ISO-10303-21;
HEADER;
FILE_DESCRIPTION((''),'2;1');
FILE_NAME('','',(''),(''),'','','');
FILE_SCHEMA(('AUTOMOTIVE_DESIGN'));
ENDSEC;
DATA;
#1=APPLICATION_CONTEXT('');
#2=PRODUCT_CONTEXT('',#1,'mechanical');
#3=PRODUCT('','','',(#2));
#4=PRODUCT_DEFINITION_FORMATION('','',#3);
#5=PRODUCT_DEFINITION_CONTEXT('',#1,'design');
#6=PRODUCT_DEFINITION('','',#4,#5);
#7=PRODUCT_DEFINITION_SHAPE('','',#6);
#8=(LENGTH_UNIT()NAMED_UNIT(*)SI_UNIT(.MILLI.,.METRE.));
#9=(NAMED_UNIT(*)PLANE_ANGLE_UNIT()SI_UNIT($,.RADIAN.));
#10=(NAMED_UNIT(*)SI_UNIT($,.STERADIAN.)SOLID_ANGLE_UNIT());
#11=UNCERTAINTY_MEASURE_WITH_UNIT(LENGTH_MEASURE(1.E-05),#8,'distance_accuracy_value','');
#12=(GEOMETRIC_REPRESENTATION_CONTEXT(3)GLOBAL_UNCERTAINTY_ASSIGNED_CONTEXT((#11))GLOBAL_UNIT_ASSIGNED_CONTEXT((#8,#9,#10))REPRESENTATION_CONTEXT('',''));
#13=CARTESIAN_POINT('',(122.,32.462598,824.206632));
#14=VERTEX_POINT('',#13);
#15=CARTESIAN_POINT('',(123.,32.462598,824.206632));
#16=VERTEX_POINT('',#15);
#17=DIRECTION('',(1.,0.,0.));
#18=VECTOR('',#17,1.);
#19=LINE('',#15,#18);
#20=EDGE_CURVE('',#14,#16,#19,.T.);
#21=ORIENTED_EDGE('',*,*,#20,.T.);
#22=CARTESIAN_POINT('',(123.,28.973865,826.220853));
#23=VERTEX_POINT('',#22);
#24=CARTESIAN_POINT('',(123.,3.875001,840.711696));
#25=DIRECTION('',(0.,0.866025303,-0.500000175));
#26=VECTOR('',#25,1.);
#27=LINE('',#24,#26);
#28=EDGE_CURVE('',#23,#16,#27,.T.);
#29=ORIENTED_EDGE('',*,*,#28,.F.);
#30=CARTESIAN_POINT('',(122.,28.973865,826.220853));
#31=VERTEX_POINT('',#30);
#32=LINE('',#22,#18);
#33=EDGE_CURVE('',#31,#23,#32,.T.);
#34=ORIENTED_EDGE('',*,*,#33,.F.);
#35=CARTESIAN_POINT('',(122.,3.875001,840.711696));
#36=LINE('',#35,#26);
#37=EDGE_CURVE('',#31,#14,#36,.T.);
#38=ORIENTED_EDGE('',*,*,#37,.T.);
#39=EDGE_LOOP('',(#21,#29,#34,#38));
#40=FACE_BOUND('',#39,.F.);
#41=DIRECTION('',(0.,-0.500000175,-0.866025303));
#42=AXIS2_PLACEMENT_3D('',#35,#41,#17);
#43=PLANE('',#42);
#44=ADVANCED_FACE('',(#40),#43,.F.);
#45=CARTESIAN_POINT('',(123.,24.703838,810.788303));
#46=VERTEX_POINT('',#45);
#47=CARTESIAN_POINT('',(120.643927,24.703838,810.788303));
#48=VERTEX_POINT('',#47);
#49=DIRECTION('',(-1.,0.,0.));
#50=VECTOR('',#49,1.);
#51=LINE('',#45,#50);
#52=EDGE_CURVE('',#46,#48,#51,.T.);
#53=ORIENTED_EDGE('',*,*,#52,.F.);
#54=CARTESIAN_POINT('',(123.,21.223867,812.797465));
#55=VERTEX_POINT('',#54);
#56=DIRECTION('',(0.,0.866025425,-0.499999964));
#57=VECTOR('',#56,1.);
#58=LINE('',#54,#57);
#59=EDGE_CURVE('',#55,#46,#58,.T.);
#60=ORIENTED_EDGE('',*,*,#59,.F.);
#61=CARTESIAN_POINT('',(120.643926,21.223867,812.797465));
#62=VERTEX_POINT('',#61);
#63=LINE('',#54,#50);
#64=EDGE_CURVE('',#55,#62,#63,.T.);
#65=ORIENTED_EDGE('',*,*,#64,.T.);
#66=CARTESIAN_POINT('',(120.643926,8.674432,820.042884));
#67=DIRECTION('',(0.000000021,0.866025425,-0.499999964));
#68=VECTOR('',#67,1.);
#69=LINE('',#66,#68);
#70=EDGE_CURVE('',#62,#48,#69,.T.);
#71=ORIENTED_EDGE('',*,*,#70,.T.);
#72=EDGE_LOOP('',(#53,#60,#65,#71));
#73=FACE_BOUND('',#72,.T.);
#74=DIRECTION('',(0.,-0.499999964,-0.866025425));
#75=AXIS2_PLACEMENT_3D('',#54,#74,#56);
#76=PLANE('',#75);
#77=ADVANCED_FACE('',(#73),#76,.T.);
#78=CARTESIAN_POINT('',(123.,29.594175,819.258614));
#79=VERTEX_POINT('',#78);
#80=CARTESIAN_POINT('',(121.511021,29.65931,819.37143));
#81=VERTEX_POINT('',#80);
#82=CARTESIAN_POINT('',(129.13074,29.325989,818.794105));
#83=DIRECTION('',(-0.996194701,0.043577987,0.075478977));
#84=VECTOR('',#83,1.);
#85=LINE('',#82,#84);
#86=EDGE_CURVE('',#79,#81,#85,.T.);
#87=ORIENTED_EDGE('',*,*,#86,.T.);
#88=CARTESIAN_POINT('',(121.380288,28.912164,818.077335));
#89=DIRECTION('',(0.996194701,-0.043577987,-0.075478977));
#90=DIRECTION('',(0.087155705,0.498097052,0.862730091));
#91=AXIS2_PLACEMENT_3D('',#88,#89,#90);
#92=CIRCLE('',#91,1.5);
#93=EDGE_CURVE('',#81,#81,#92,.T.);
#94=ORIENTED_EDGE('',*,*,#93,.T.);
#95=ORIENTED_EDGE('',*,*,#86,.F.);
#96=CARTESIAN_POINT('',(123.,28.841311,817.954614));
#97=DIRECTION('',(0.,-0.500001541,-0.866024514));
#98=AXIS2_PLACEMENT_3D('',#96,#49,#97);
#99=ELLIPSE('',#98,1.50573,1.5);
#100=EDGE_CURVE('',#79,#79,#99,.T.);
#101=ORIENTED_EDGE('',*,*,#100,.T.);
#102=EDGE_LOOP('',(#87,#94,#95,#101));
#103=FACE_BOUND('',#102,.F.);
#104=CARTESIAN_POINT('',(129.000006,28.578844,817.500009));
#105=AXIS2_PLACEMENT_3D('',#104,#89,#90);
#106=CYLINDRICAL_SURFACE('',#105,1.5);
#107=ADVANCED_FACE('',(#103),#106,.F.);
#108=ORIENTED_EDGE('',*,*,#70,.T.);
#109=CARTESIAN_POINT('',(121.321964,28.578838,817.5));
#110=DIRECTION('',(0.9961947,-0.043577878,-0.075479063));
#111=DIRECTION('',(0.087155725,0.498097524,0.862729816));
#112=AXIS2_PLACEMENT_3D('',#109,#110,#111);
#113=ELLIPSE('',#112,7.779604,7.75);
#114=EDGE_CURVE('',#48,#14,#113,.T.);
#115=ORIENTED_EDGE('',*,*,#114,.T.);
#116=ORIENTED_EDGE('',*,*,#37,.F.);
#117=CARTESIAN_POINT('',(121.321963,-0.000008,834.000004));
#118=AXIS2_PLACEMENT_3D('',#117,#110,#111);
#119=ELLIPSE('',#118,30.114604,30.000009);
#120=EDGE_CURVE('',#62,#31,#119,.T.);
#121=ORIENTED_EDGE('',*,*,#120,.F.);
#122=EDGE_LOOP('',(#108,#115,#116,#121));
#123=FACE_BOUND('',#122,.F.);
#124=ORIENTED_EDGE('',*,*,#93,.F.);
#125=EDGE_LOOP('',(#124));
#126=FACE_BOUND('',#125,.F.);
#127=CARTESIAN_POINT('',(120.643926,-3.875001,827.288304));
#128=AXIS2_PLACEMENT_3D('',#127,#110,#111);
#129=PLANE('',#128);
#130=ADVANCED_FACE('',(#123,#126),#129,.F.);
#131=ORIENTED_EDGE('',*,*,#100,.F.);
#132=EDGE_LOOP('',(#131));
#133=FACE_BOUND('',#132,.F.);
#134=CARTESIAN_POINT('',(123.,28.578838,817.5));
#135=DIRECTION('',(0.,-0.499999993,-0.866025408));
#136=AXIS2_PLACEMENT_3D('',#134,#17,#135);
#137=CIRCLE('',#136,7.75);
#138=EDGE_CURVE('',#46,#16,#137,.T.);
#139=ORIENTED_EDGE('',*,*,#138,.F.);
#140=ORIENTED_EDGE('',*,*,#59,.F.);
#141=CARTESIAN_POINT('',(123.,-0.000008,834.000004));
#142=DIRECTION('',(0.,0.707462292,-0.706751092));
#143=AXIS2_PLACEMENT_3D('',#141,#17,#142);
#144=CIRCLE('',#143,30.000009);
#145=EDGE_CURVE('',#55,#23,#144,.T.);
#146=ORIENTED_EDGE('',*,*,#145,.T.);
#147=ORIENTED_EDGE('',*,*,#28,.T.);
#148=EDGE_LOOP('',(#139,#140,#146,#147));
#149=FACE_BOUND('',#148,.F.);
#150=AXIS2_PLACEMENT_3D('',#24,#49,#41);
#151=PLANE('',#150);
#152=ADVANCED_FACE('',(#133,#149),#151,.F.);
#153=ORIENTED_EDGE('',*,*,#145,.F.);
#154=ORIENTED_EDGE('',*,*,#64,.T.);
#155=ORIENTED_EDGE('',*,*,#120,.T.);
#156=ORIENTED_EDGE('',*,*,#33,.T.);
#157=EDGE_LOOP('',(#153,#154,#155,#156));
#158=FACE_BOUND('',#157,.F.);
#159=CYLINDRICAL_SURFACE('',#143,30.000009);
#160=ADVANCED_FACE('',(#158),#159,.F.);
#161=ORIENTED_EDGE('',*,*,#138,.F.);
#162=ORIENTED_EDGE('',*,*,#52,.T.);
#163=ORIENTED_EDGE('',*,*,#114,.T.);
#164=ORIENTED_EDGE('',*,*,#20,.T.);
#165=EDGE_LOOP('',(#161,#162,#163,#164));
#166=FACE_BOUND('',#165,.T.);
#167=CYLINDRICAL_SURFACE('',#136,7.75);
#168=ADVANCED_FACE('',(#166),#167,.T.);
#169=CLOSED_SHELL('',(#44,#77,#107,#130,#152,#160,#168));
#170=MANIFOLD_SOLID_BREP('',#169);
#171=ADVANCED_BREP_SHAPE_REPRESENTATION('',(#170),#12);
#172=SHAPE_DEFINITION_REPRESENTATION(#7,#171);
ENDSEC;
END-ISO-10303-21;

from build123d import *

# Parameters (mm, degrees)
PAD040_DEPTH         = 42
SKETCH121_W          = 51.449978
SKETCH121_H          = 41.216857
POCKET061_DEPTH      = 2.357074
POCKET061_DEPTH_BACK = 0.001
SKETCH122_R          = 1.5
POCKET062_DEPTH      = 9.321248
POCKET062_DEPTH_BACK = 0.001


with BuildPart() as part:
    # Sketch120 (on DatumPlane) → Pad040 (new body)
    with BuildSketch(Plane(origin=(6, 0, 0), x_dir=(1, 0, 0), z_dir=(0, -0.866025, 0.5))):
        Polygon((-6, 7.75), (-6, -7.75), (-8.356074, -7.75), (-7, 7.75), align=None)
    extrude(amount=-PAD040_DEPTH)

    # Sketch121 → Pocket061 (cut, two sides)
    with BuildSketch(Plane.YZ) as pocket061_sk:
        with Locations((16.010519, -12.541656)):
            Rectangle(SKETCH121_W, SKETCH121_H)
        with BuildLine():
            ThreePointArc((21.223867, -21.202535), (25.980762, -15), (28.973867, -7.779141))
            Line((28.973867, -7.779141), (32.453838, -9.788303))
            ThreePointArc((24.703838, -23.211697), (35.290535, -20.375), (32.453838, -9.788303))
            Line((21.223867, -21.202535), (24.703838, -23.211697))
        make_face(mode=Mode.SUBTRACT)
    extrude(amount=-POCKET061_DEPTH, mode=Mode.SUBTRACT)
    extrude(pocket061_sk.sketch, amount=POCKET061_DEPTH_BACK, mode=Mode.SUBTRACT)

    # Sketch122 (on DatumPlane) → Pocket062 (cut, two sides)
    with BuildSketch(Plane(origin=(6, 0, 0), x_dir=(0.087156, 0.498097, 0.86273), z_dir=(0.996195, -0.043578, -0.075479))) as pocket062_sk:
        with Locations((0, -33)):
            Circle(SKETCH122_R)
    extrude(amount=-POCKET062_DEPTH, mode=Mode.SUBTRACT)
    extrude(pocket062_sk.sketch, amount=POCKET062_DEPTH_BACK, mode=Mode.SUBTRACT)


with BuildPart() as part_1:
    # Body022023 placement: moved
    add(part.part.moved(Location((123, 0, 834))))


solid = part_1.part
